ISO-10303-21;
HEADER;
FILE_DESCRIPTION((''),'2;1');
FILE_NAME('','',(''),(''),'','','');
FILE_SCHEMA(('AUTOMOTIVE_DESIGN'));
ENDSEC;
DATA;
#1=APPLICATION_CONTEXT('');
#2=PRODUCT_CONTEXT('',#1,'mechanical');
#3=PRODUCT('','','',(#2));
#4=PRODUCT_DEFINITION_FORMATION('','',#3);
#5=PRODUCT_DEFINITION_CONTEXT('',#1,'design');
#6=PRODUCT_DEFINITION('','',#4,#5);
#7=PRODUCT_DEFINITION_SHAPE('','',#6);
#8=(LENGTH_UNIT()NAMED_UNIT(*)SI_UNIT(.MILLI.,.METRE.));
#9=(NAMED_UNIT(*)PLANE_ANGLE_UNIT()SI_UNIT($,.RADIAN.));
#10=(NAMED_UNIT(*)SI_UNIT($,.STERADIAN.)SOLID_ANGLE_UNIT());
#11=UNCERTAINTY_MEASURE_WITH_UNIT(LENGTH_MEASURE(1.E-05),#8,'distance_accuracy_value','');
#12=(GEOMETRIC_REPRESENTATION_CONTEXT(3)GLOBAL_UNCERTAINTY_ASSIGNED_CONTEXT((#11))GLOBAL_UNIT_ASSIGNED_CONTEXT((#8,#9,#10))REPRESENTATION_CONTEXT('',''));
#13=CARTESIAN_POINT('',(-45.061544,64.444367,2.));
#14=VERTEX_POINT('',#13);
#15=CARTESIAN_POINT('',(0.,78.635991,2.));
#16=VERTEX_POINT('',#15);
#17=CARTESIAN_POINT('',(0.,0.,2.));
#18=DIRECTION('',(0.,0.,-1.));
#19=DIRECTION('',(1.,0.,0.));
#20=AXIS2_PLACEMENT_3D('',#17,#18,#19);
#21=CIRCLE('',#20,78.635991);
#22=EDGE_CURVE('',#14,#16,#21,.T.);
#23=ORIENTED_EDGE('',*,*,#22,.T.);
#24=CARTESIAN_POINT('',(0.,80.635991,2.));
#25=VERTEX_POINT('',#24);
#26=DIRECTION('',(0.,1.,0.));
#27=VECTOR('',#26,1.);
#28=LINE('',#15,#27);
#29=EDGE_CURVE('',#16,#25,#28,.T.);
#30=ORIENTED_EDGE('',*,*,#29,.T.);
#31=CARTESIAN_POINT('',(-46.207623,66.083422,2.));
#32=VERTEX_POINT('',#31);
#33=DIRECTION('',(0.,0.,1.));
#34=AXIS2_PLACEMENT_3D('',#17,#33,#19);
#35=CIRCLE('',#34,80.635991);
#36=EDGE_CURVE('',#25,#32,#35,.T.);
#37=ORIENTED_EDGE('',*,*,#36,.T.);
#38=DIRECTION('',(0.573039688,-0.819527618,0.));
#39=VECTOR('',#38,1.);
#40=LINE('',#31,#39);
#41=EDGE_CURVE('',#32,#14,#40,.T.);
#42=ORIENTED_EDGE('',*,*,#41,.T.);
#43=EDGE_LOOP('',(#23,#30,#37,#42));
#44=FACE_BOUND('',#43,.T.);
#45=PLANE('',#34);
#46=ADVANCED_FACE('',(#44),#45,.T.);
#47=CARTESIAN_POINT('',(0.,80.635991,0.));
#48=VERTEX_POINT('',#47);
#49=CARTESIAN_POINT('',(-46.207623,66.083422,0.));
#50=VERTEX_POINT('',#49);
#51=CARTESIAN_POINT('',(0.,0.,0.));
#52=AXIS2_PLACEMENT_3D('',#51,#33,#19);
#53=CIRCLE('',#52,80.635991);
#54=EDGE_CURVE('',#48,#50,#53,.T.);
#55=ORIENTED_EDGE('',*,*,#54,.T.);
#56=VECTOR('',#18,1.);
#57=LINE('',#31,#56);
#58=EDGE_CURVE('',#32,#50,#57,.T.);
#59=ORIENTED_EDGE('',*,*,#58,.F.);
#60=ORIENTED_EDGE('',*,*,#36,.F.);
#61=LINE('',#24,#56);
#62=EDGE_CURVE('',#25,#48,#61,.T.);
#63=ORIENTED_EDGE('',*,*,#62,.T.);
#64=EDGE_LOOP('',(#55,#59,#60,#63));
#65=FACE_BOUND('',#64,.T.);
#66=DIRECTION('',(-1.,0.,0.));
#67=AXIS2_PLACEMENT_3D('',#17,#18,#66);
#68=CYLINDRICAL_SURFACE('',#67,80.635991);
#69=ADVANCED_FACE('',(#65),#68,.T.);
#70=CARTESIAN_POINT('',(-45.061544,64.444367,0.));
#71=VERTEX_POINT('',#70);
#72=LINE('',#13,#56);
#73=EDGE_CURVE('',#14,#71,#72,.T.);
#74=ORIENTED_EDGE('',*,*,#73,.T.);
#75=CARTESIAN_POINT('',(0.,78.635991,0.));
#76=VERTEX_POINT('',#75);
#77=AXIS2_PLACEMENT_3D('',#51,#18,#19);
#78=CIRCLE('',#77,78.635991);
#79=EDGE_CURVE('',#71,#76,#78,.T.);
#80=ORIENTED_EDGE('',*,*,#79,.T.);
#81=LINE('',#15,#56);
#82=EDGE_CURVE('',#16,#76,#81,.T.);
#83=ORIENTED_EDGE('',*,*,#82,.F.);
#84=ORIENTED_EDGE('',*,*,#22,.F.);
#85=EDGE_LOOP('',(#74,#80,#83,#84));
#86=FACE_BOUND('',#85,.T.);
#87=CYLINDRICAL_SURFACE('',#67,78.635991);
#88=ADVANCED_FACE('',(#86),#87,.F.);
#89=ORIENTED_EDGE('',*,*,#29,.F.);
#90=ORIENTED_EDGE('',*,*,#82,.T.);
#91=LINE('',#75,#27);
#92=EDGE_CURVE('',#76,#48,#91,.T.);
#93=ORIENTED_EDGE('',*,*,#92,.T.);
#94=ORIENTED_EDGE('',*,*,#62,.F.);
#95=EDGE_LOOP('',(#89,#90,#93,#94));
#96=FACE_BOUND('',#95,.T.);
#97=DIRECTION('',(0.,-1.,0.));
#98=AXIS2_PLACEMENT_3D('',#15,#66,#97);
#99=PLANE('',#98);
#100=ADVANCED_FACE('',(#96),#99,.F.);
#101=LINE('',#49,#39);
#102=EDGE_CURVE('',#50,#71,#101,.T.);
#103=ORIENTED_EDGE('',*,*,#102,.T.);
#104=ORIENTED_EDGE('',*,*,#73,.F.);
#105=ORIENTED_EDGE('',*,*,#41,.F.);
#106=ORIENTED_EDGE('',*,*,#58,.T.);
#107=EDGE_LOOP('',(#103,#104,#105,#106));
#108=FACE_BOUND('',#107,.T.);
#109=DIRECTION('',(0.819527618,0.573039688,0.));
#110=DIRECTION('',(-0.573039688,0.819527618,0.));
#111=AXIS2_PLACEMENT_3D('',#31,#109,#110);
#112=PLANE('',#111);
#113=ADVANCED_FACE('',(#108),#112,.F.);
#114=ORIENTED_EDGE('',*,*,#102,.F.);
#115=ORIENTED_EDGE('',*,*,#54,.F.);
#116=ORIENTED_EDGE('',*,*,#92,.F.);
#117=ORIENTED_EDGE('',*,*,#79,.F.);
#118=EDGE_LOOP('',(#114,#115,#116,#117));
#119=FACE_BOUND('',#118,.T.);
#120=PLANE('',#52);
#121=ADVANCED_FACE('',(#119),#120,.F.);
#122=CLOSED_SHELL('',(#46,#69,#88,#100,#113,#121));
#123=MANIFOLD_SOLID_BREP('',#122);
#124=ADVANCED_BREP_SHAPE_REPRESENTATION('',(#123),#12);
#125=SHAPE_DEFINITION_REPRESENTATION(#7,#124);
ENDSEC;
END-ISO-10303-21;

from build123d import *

# Parameters (mm, degrees)
BOSS_EXTRU_1_DEPTH = 2


with BuildPart() as part:
    # Esquisse1 → Boss.-Extru.1 (new body)
    with BuildSketch(Plane.XY):
        with BuildLine():
            Line((-46.207623312, 66.083421927), (-45.061543936, 64.444366692))
            ThreePointArc((-45.061543936, 64.444366692), (-23.621732331, 75.004219227), (0, 78.635991379))
            Line((0, 78.635991379), (0, 80.635991379))
            ThreePointArc((0, 80.635991379), (-24.222519118, 76.911850019), (-46.207623312, 66.083421927))
        make_face()
    extrude(amount=BOSS_EXTRU_1_DEPTH)


solid = part.part
